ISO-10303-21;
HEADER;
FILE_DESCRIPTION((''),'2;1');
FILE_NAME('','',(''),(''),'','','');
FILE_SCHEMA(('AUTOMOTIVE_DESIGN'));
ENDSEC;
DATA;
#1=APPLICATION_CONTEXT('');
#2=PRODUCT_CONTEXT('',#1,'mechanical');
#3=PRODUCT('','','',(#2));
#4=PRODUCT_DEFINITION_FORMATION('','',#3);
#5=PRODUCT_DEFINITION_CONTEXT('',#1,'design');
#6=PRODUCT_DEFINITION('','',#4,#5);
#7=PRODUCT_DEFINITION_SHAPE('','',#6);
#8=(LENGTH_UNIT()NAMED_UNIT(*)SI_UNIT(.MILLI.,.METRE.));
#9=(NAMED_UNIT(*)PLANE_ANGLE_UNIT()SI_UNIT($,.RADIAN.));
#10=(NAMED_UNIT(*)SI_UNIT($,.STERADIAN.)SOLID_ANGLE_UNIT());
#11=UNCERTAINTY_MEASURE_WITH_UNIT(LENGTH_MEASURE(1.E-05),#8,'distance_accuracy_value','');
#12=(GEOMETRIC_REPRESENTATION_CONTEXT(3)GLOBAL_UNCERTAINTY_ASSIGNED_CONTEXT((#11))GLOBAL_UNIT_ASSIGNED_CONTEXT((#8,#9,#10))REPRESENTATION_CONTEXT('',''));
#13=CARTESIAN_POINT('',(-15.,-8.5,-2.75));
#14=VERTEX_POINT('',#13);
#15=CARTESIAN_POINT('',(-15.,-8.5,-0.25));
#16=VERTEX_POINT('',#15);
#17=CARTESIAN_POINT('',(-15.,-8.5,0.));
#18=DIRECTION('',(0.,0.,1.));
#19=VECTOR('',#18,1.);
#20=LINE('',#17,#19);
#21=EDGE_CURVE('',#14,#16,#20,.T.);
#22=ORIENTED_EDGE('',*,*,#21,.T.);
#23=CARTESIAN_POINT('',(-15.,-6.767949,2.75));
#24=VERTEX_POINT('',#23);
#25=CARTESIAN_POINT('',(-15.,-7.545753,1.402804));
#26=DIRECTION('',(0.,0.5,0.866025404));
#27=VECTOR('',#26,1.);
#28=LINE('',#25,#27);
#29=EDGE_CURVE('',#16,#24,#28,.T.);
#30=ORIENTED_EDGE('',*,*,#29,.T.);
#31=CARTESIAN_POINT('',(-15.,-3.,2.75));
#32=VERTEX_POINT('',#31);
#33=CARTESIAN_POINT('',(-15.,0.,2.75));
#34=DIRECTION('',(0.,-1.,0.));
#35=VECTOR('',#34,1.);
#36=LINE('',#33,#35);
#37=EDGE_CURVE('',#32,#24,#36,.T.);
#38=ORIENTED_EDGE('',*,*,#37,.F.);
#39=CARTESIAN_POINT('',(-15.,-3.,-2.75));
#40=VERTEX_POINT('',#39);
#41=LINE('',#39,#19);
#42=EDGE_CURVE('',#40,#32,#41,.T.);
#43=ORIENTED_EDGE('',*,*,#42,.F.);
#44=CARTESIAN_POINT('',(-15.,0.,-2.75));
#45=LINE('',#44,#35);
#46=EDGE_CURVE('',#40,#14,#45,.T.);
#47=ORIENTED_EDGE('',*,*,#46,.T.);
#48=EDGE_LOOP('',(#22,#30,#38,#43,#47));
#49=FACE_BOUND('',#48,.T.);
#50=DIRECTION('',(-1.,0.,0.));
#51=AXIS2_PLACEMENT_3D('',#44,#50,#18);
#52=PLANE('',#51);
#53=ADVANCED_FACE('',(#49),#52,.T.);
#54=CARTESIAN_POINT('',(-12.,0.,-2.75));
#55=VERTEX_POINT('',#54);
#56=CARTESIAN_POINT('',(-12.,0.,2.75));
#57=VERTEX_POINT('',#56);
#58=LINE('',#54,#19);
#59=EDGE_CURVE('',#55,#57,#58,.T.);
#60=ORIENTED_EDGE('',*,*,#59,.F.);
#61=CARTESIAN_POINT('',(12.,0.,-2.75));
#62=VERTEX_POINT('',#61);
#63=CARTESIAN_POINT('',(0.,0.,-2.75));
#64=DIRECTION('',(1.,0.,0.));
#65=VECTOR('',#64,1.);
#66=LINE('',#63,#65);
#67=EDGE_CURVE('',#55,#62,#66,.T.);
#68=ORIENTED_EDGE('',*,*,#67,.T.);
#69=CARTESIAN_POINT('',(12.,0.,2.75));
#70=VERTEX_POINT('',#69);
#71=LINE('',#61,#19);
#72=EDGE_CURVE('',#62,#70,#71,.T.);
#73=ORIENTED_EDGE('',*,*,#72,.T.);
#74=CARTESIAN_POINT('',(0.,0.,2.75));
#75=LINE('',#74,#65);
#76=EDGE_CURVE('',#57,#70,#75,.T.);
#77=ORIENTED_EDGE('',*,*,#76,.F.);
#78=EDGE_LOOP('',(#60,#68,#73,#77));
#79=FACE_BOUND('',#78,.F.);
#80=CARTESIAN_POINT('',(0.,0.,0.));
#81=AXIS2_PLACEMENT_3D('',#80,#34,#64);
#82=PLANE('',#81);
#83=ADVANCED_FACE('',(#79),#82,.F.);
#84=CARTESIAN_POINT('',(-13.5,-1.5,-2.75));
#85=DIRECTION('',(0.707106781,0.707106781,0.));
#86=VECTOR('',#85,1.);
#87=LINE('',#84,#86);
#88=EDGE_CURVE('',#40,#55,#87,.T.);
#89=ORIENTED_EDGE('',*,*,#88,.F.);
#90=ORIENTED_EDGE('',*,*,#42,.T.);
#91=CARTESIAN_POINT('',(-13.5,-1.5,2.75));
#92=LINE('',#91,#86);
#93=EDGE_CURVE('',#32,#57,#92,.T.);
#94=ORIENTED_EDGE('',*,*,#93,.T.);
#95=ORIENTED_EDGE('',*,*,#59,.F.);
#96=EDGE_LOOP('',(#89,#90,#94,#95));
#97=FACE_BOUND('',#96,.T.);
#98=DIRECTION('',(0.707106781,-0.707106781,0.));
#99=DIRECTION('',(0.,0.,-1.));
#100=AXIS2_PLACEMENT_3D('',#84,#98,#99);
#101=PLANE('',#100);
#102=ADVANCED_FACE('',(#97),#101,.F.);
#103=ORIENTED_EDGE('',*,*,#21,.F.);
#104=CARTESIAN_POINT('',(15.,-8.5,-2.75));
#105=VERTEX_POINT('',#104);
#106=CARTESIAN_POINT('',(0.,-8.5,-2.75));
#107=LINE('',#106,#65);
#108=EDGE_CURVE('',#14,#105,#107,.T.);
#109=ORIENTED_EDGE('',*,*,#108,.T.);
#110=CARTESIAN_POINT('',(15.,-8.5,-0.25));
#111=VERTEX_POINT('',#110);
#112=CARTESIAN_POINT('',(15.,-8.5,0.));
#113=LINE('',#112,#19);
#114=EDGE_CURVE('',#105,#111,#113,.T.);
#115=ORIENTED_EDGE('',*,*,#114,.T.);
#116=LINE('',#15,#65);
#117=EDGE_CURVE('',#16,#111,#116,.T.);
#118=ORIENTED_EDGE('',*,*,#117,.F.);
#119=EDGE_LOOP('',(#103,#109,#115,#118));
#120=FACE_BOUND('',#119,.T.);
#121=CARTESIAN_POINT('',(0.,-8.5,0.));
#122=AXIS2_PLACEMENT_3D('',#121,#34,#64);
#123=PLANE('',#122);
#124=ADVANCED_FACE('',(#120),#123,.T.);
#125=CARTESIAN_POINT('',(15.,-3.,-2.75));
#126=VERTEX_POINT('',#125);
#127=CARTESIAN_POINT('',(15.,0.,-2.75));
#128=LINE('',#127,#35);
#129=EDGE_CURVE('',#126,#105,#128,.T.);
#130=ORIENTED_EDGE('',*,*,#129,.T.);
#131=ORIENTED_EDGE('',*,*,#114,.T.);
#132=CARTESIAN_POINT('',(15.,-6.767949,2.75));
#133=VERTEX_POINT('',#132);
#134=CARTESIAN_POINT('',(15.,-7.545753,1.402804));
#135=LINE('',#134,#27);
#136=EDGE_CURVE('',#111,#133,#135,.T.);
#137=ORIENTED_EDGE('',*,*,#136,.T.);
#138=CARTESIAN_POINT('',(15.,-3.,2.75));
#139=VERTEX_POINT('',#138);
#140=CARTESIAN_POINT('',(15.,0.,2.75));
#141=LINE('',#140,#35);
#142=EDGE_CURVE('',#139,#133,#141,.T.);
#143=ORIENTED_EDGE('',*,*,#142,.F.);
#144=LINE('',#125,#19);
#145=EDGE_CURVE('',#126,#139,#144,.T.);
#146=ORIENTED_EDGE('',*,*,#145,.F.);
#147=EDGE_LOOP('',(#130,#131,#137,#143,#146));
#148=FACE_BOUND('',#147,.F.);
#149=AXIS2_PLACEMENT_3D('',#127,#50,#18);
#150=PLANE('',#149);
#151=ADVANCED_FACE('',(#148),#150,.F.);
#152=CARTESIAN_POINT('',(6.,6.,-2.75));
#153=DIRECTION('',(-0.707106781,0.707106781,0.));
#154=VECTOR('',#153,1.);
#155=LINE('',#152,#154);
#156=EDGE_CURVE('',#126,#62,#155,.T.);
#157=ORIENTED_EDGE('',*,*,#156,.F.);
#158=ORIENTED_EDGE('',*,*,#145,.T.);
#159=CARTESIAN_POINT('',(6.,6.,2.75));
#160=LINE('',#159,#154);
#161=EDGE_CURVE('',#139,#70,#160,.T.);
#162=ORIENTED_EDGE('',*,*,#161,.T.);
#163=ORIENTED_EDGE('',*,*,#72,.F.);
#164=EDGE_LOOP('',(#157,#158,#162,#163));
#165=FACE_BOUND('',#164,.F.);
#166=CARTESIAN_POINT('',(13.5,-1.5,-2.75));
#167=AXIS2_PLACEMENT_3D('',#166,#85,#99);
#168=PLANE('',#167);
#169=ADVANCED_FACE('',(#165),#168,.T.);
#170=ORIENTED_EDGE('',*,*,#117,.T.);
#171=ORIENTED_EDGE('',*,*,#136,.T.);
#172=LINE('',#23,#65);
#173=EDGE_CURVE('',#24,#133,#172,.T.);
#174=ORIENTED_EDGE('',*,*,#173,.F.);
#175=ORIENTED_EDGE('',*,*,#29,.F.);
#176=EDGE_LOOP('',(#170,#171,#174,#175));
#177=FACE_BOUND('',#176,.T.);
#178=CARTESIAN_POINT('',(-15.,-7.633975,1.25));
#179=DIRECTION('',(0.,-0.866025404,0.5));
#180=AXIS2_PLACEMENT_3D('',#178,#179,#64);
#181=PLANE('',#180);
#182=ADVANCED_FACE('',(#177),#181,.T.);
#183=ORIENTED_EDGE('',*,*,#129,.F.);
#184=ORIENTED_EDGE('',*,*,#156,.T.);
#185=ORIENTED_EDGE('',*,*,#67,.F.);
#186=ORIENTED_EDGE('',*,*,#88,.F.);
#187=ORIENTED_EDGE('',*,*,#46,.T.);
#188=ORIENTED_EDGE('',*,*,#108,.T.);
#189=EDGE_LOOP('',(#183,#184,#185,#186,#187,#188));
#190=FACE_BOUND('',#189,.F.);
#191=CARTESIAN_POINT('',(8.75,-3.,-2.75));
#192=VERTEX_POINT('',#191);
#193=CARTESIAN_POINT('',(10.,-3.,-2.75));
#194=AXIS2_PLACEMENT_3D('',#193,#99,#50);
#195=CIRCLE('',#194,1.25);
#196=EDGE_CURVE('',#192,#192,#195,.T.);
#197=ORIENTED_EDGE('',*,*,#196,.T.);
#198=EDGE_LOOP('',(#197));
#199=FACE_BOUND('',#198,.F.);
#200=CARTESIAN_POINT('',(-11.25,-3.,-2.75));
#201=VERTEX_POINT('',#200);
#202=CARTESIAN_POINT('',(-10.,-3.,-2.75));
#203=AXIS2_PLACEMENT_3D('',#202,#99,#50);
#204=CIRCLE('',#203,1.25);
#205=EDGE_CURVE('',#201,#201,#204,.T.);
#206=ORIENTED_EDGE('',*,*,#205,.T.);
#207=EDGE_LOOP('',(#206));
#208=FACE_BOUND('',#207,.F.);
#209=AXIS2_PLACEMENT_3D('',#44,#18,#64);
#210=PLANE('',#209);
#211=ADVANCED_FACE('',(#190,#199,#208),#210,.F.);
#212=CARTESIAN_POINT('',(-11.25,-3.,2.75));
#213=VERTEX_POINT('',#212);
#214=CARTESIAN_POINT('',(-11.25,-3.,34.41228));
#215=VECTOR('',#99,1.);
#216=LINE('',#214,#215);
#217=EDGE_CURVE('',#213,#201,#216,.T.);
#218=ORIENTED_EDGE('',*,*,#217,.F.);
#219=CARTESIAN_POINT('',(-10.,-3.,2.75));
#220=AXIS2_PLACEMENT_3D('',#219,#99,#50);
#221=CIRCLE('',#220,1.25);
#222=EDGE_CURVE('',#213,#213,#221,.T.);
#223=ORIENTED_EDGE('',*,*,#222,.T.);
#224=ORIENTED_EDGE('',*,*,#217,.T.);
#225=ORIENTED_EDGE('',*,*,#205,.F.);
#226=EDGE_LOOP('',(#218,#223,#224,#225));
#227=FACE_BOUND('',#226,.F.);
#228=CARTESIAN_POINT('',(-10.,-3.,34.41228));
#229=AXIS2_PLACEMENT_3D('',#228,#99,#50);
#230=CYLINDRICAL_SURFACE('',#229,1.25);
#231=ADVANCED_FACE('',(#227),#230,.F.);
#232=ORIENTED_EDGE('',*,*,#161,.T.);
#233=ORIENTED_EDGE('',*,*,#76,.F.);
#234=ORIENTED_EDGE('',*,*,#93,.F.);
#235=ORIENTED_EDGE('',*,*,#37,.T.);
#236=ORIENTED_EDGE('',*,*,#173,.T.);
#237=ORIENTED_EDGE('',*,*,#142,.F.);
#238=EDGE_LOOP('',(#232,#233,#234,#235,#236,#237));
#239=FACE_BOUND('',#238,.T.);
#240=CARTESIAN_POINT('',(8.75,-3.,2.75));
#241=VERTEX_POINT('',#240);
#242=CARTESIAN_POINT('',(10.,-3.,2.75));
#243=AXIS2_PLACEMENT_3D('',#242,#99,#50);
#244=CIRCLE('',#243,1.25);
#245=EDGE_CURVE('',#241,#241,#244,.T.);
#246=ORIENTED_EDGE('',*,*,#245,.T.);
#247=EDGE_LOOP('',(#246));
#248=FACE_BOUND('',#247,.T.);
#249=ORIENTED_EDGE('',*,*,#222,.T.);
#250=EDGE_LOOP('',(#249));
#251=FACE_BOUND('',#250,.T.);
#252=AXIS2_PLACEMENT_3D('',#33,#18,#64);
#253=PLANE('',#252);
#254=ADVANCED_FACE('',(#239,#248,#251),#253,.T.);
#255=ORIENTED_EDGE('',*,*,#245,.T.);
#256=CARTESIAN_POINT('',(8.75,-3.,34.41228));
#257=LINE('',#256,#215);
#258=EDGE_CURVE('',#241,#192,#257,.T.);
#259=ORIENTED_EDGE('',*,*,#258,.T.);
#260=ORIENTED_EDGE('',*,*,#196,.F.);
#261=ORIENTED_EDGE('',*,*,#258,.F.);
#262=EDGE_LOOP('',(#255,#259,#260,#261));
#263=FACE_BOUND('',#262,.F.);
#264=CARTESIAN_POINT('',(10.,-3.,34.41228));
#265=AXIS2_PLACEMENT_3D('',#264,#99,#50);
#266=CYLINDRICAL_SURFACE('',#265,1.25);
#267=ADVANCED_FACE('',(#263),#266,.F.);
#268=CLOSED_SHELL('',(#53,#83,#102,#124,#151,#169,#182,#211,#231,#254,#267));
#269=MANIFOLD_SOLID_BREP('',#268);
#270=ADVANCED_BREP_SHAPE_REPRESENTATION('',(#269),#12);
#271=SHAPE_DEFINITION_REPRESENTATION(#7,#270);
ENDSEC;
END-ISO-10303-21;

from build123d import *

# Parameters (mm, degrees)
F0_W     = 30
F0_H     = 5.5
F1_DEPTH = 8.5
F2_SIZE  = 3
F3_SIZE2 = 1.7320508076
F3_SIZE  = 3
F5_D     = 2.5


with BuildPart() as f1:
    # F0 (on Front) → F1 (new body)
    with BuildSketch(Plane.XZ):
        Rectangle(F0_W, F0_H)
    extrude(amount=F1_DEPTH)

    # F2
    f2_edges = [f1.edges().sort_by_distance(p)[0] for p in [
        (-15, 0, 0),
        (15, 0, 0),
    ]]
    chamfer(f2_edges, length=F2_SIZE)

    # F3
    f3_edges = [f1.edges().sort_by_distance(p)[0] for p in [
        (0, -8.5, 2.75),
    ]]
    f3_side = f1.faces().sort_by_distance((0, -8.5, 0))[0]
    chamfer(f3_edges, length=F3_SIZE, length2=F3_SIZE2, reference=f3_side)

    # F5 (through all)
    with Locations(Plane.XY.offset(2.75)):
        with Locations((-10, -3), (10, -3)):
            Hole(F5_D / 2)


solid = f1.part
